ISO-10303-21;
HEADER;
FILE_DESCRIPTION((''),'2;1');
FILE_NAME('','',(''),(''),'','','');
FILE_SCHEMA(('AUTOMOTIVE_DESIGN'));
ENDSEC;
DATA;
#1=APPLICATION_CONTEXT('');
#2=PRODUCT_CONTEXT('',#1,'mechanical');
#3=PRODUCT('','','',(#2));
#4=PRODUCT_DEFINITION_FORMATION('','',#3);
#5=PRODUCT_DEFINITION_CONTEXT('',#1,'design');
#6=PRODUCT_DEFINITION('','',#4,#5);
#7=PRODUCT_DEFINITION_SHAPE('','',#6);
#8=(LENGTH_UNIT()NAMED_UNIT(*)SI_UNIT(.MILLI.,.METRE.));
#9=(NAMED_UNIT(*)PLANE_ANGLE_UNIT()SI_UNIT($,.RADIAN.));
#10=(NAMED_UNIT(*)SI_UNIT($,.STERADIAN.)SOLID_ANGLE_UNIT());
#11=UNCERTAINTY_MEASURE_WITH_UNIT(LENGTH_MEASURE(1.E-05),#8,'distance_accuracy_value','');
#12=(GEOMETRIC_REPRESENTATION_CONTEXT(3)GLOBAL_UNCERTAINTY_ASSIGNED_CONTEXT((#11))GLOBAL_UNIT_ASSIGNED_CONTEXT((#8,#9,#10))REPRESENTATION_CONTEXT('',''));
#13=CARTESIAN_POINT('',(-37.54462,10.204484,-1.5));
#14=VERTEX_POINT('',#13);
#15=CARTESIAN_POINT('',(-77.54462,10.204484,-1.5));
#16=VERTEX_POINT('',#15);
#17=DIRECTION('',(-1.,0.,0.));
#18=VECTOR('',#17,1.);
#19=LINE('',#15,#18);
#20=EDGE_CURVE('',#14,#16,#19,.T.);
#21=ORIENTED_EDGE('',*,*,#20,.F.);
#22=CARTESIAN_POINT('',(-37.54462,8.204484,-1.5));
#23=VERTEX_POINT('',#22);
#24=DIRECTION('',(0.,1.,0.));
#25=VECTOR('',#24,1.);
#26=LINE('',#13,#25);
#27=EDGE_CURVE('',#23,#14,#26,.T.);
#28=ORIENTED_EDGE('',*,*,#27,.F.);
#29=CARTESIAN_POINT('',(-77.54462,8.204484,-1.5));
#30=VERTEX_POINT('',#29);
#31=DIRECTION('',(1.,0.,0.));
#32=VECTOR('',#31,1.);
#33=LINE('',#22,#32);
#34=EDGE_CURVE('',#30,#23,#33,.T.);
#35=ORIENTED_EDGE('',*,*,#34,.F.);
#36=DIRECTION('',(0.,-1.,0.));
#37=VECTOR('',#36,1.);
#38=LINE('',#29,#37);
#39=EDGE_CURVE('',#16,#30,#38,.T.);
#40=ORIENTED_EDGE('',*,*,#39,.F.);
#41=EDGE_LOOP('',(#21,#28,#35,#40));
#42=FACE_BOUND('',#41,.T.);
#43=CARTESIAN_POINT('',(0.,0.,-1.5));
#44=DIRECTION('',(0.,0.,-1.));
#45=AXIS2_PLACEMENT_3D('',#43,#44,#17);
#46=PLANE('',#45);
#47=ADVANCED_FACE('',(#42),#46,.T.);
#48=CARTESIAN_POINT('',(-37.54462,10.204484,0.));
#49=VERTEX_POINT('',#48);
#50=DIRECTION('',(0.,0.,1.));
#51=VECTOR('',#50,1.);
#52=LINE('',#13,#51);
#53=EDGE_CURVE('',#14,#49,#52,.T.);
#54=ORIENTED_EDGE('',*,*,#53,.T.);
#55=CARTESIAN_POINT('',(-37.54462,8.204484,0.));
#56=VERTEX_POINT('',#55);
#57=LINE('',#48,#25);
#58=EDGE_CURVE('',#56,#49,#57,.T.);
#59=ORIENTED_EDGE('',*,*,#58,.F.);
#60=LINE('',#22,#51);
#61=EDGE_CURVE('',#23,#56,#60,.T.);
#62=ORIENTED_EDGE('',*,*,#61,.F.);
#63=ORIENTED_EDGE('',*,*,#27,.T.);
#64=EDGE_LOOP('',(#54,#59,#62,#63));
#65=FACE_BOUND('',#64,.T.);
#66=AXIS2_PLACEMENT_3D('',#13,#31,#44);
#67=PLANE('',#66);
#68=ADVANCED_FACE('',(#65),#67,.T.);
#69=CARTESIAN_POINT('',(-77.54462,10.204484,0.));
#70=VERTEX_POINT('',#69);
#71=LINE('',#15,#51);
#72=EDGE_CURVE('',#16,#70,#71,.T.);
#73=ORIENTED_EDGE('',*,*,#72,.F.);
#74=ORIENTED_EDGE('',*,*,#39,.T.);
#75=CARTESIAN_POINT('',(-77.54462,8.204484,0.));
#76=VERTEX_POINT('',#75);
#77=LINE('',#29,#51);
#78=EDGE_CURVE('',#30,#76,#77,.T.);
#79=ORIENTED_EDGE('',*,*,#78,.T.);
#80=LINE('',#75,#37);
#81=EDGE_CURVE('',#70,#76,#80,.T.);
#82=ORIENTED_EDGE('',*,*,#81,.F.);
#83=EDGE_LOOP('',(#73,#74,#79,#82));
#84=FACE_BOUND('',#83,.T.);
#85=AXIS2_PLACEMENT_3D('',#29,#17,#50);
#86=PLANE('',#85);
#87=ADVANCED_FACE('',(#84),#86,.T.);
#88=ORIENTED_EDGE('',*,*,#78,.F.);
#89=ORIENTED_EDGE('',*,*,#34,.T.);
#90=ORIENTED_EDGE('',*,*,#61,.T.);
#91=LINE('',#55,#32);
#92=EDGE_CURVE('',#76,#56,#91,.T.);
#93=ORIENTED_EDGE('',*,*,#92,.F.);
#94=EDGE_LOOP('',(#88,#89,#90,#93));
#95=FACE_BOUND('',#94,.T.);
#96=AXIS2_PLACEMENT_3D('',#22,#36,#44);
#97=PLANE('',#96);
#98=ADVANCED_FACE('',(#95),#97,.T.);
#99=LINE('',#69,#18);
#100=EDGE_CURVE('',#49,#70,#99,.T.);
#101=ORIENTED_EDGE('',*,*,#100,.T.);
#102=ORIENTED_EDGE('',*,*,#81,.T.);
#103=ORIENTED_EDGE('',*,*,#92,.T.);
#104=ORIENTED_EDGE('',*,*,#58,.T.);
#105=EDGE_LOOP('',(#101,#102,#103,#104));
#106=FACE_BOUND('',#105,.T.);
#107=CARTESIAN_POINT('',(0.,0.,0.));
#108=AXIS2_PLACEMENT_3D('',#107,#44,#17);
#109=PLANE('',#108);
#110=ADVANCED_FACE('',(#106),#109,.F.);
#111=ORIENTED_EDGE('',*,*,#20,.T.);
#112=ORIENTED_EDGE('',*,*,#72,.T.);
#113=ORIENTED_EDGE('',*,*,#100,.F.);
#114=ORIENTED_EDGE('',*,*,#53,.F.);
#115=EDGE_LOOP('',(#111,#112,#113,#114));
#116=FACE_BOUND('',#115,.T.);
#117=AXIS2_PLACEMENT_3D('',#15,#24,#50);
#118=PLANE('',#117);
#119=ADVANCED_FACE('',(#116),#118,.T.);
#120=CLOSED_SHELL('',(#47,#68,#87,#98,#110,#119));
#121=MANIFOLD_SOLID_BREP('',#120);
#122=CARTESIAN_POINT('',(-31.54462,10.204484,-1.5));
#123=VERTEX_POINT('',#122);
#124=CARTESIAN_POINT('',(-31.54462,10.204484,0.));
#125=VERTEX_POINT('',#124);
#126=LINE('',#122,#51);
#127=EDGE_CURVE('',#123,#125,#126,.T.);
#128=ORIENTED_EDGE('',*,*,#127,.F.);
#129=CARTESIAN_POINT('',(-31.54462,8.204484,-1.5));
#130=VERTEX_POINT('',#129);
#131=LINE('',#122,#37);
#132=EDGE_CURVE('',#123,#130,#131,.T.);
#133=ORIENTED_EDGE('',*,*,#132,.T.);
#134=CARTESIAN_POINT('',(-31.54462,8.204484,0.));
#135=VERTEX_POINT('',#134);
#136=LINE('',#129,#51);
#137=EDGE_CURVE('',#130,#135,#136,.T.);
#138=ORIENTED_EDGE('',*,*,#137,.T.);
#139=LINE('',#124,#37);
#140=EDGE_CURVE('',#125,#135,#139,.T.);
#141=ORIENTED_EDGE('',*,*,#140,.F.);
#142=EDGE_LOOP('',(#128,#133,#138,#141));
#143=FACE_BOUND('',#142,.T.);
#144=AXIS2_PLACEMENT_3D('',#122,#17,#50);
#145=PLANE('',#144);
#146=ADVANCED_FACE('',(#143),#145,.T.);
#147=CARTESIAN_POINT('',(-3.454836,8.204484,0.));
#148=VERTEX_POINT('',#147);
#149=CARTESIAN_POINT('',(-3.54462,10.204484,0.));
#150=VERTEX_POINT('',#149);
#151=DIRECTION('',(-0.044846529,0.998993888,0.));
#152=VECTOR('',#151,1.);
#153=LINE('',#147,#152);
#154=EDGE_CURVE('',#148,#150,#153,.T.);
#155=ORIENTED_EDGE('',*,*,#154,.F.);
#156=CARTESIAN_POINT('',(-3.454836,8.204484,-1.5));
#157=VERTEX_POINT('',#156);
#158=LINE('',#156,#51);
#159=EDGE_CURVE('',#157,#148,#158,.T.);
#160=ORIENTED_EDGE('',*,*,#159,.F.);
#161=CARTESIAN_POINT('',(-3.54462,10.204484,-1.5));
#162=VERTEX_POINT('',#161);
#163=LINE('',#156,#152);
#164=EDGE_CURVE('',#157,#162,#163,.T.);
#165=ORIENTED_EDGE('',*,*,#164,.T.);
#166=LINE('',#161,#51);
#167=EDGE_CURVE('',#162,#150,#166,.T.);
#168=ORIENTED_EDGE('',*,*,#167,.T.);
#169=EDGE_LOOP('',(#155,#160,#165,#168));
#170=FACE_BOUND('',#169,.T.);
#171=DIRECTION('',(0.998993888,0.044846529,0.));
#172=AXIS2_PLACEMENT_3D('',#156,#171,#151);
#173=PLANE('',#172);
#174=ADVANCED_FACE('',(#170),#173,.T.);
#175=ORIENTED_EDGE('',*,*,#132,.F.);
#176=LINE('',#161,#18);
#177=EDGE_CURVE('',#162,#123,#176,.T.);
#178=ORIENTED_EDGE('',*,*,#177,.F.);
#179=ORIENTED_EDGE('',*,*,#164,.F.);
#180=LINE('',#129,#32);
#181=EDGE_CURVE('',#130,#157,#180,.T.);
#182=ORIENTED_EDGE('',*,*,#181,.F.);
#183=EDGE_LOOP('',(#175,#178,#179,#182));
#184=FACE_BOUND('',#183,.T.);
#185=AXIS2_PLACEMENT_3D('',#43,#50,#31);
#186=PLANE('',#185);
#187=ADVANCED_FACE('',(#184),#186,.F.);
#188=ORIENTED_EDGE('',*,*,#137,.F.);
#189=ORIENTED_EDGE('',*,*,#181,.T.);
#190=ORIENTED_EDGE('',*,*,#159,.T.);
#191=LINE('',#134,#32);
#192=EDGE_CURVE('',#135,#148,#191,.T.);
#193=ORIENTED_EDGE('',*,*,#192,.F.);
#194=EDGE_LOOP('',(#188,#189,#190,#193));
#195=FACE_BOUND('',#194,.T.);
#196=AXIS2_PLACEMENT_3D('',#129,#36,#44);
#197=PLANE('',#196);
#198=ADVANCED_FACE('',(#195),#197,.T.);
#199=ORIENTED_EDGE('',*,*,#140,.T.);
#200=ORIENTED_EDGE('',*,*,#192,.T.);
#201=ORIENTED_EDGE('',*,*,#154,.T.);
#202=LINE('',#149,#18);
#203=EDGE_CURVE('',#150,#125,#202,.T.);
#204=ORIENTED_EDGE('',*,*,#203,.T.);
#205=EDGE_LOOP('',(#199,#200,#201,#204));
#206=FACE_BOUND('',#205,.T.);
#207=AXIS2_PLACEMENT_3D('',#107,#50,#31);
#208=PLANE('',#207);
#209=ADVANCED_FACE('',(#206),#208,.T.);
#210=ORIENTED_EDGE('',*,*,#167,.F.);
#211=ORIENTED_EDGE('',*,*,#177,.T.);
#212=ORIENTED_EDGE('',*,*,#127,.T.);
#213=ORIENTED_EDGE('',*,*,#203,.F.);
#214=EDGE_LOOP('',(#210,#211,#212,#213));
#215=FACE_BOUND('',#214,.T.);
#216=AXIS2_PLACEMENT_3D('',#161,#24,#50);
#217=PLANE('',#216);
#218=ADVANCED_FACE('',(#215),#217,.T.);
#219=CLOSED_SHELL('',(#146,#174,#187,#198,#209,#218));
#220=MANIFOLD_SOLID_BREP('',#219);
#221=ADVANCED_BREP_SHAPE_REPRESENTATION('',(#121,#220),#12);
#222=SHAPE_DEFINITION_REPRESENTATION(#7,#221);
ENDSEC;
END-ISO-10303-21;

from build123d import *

# Parameters (mm, degrees)
SKETCH1_W             = 40
SKETCH1_H             = 2
BOSS_EXTRUDE1_DEPTH   = 1.5
BOSS_EXTRUDE1_2_DEPTH = 1.5


with BuildPart() as part:
    # Sketch1 → Boss-Extrude1 (new body)
    with BuildSketch(Plane.XY):
        with Locations((-57.544619595, 9.204483614)):
            Rectangle(SKETCH1_W, SKETCH1_H)
    extrude(amount=-BOSS_EXTRUDE1_DEPTH)


with BuildPart() as body_2:
    # Sketch1 → Boss-Extrude1 2 (new body)
    with BuildSketch(Plane.XY):
        Polygon((-31.544619595, 10.204483614), (-31.544619595, 8.204483614), (-3.454836204, 8.204483614), (-3.544619595, 10.204483614), align=None)
    extrude(amount=-BOSS_EXTRUDE1_2_DEPTH)


solid = Compound([part.part, body_2.part])
